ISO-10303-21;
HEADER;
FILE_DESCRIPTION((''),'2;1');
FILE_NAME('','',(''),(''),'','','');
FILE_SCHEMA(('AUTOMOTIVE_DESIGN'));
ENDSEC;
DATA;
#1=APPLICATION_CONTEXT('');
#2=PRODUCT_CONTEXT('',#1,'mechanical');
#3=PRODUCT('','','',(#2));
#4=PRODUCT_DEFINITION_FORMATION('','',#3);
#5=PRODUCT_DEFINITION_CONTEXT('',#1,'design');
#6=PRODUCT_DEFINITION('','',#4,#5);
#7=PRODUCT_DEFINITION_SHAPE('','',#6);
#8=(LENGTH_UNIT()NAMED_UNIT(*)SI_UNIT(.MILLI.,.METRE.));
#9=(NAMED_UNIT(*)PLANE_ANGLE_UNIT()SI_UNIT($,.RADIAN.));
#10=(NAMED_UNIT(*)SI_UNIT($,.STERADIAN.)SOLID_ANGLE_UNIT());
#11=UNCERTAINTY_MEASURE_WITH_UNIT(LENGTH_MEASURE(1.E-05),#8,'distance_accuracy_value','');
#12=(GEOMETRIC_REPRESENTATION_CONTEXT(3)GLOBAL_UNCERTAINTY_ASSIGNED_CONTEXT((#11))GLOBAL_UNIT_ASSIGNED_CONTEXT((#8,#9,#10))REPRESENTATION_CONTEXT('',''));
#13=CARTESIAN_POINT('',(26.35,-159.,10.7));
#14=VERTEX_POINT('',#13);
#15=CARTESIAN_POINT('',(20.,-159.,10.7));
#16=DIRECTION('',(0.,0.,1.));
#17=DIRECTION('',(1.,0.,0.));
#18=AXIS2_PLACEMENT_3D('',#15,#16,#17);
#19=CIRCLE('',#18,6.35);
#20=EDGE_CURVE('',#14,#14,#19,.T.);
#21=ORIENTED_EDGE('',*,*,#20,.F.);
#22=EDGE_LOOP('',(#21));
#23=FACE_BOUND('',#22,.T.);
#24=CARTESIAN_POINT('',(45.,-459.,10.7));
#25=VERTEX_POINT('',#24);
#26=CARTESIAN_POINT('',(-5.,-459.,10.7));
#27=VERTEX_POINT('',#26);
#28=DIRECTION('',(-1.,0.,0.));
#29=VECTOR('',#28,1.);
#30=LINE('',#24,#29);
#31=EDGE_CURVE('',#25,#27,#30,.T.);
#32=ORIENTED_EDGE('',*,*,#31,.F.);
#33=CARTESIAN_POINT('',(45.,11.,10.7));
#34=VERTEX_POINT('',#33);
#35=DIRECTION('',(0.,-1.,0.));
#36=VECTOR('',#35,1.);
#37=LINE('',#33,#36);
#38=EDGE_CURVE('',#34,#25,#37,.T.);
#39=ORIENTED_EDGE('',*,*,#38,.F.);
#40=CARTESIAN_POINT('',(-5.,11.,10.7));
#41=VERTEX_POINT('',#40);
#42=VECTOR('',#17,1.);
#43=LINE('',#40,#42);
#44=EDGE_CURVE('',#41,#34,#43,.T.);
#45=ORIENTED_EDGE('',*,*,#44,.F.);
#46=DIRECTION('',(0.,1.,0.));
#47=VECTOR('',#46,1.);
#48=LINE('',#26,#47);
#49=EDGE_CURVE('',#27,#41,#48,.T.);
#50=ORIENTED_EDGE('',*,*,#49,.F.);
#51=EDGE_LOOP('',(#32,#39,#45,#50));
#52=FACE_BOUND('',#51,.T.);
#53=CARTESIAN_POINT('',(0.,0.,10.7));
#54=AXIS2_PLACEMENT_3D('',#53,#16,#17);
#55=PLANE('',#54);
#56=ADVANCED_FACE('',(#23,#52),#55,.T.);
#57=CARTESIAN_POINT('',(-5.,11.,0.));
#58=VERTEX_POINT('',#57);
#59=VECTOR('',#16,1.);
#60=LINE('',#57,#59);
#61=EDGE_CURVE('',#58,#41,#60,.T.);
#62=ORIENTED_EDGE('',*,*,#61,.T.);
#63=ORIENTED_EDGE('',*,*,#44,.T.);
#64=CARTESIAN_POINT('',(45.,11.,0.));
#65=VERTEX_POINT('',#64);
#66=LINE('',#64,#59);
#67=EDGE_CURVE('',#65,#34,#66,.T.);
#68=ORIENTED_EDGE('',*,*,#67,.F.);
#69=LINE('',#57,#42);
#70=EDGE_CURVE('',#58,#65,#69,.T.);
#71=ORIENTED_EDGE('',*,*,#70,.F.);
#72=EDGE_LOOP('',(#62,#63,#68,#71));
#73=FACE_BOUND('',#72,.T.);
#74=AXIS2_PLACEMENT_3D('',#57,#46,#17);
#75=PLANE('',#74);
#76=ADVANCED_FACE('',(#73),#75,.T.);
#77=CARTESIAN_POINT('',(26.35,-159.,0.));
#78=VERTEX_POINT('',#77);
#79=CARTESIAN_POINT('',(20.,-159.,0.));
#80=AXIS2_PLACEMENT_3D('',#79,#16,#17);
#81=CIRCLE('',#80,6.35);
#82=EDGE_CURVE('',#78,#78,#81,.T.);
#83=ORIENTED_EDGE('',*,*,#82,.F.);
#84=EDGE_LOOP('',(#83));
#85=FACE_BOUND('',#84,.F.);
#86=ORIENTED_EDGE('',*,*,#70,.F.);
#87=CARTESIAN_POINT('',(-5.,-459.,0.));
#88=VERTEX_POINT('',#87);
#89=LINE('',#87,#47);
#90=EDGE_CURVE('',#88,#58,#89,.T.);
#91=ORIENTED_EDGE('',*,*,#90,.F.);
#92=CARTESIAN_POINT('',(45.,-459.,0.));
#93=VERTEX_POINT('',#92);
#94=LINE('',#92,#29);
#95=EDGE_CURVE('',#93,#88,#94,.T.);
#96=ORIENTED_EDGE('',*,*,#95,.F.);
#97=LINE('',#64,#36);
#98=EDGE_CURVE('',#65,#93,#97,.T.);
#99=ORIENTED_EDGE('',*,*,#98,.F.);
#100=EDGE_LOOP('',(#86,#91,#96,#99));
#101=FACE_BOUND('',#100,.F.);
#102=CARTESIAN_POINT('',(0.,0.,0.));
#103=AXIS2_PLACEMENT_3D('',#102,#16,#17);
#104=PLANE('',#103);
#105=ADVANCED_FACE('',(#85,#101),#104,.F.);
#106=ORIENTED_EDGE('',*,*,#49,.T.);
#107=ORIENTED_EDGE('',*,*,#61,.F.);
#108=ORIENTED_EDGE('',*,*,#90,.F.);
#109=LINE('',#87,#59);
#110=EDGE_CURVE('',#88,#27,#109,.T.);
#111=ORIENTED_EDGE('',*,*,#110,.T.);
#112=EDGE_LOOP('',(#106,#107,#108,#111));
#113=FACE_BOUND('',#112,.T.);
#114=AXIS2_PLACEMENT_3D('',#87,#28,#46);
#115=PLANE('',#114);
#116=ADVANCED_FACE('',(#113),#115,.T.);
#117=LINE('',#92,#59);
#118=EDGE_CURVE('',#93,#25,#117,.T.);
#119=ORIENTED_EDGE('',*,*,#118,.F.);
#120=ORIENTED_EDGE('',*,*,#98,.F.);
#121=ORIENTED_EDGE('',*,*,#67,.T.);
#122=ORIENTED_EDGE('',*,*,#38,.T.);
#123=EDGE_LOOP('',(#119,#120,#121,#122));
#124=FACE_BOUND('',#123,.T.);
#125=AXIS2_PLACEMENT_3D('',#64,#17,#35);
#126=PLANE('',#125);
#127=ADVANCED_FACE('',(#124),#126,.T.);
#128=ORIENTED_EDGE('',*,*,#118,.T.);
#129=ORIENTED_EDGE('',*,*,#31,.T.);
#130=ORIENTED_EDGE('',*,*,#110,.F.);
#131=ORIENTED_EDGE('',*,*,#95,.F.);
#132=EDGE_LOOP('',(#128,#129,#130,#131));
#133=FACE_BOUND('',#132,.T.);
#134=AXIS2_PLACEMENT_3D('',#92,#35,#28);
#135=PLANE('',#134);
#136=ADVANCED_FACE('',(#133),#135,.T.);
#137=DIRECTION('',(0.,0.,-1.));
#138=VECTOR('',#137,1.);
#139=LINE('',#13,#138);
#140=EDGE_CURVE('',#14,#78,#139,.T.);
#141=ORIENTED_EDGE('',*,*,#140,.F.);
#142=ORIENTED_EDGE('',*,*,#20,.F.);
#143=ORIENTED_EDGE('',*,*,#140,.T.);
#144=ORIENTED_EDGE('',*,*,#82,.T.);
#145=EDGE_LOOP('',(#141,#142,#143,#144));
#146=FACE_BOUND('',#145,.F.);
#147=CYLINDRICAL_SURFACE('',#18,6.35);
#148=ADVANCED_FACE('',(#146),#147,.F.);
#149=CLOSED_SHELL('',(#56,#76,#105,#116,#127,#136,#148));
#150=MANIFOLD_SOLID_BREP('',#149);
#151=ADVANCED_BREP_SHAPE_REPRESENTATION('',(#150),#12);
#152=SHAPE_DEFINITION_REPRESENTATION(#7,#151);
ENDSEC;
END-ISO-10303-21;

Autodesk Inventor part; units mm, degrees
ref_plane "YZ Plane" through (0, 0, 0) normal (1, 0, 0) x (0, 1, 0)
ref_plane "XZ Plane" through (0, 0, 0) normal (0, 1, 0) x (-1, 0, 0)
ref_plane "XY Plane" through (0, 0, 0) normal (0, 0, 1) x (1, 0, 0)
sketch "Sketch1" plane through (0, 0, 0) normal (0, 0, 1) x (1, 0, 0)
  line L0 (-5, 11) -> (45, 11)
  line L1 (45, 11) -> (45, -459)
  line L2 (45, -459) -> (-5, -459)
  line L3 (-5, -459) -> (-5, 11)
  point P0 (0, 0)
  dimension "d0" = 50
  dimension "d1" = 470
extrude "Extrusion1" add sketch "Sketch1" along normal blind 10.7
sketch "Sketch2" plane through (0, 0, 10.7) normal (0, 0, 1) x (1, 0, 0)
  point P0 (0, 0)
sketch "Sketch3" plane through (0, 0, 10.7) normal (0, 0, 1) x (1, 0, 0)
  circle A0 centre (20, -159) radius 6.35
  point P0 (0, 0)
  dimension "d4" = 12.7
extrude "Extrusion2" cut sketch "Sketch3" against normal through all
properties part number "pillar"
